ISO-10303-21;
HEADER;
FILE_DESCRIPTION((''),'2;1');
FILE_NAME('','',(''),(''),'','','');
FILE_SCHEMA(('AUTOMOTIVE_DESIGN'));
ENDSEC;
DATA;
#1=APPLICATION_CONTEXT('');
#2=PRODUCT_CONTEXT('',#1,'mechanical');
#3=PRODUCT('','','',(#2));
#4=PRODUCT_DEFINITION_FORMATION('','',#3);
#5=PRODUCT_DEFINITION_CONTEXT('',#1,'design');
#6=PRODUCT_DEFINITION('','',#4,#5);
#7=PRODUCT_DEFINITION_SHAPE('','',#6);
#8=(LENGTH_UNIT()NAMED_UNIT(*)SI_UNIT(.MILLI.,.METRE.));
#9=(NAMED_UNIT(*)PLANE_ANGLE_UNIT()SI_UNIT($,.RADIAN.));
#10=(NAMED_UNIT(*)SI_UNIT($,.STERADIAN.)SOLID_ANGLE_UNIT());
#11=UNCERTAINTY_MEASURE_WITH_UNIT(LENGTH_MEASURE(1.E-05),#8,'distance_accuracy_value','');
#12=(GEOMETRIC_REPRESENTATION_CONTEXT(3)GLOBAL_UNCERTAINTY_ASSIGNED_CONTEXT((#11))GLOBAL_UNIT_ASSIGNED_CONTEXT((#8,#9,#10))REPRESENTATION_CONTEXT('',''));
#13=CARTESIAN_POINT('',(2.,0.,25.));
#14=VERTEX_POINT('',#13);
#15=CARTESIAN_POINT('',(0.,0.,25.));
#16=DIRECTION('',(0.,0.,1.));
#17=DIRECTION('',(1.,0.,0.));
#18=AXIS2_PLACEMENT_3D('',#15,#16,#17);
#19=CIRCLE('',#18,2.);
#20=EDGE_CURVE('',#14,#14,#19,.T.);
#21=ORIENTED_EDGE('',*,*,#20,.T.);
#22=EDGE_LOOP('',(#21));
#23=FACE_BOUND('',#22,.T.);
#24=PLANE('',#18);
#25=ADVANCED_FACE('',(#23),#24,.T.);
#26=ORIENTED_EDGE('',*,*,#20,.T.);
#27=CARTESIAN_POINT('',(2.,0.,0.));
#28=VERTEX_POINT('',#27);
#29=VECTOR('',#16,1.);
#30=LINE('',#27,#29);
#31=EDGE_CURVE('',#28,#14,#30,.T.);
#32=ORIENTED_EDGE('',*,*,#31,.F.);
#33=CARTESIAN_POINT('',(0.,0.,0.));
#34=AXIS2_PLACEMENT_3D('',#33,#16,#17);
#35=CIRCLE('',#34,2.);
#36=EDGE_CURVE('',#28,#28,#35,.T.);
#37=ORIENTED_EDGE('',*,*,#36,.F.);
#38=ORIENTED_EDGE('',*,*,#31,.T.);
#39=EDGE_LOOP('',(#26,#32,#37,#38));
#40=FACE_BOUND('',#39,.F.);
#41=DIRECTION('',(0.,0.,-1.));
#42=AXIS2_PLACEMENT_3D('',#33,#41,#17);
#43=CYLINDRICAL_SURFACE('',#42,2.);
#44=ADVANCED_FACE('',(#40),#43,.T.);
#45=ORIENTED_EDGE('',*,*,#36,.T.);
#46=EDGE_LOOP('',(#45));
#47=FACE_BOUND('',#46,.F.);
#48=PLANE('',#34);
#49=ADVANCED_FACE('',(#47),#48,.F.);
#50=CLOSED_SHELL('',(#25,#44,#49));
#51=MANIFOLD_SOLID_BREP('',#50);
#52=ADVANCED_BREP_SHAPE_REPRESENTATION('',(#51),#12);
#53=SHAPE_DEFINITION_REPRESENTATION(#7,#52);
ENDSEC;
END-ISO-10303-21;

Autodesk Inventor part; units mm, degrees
ref_plane "YZ Plane" through (0, 0, 0) normal (1, 0, 0) x (0, 1, 0)
ref_plane "XZ Plane" through (0, 0, 0) normal (0, 1, 0) x (-1, 0, 0)
ref_plane "XY Plane" through (0, 0, 0) normal (0, 0, 1) x (1, 0, 0)
sketch "Sketch1" plane through (0, 0, 0) normal (0, 0, 1) x (1, 0, 0)
  circle A0 centre (0, 0) radius 2
  dimension "d0" = 4
extrude "Extrusion1" add sketch "Sketch1" along normal blind 25
properties part number "actuator_axis"
